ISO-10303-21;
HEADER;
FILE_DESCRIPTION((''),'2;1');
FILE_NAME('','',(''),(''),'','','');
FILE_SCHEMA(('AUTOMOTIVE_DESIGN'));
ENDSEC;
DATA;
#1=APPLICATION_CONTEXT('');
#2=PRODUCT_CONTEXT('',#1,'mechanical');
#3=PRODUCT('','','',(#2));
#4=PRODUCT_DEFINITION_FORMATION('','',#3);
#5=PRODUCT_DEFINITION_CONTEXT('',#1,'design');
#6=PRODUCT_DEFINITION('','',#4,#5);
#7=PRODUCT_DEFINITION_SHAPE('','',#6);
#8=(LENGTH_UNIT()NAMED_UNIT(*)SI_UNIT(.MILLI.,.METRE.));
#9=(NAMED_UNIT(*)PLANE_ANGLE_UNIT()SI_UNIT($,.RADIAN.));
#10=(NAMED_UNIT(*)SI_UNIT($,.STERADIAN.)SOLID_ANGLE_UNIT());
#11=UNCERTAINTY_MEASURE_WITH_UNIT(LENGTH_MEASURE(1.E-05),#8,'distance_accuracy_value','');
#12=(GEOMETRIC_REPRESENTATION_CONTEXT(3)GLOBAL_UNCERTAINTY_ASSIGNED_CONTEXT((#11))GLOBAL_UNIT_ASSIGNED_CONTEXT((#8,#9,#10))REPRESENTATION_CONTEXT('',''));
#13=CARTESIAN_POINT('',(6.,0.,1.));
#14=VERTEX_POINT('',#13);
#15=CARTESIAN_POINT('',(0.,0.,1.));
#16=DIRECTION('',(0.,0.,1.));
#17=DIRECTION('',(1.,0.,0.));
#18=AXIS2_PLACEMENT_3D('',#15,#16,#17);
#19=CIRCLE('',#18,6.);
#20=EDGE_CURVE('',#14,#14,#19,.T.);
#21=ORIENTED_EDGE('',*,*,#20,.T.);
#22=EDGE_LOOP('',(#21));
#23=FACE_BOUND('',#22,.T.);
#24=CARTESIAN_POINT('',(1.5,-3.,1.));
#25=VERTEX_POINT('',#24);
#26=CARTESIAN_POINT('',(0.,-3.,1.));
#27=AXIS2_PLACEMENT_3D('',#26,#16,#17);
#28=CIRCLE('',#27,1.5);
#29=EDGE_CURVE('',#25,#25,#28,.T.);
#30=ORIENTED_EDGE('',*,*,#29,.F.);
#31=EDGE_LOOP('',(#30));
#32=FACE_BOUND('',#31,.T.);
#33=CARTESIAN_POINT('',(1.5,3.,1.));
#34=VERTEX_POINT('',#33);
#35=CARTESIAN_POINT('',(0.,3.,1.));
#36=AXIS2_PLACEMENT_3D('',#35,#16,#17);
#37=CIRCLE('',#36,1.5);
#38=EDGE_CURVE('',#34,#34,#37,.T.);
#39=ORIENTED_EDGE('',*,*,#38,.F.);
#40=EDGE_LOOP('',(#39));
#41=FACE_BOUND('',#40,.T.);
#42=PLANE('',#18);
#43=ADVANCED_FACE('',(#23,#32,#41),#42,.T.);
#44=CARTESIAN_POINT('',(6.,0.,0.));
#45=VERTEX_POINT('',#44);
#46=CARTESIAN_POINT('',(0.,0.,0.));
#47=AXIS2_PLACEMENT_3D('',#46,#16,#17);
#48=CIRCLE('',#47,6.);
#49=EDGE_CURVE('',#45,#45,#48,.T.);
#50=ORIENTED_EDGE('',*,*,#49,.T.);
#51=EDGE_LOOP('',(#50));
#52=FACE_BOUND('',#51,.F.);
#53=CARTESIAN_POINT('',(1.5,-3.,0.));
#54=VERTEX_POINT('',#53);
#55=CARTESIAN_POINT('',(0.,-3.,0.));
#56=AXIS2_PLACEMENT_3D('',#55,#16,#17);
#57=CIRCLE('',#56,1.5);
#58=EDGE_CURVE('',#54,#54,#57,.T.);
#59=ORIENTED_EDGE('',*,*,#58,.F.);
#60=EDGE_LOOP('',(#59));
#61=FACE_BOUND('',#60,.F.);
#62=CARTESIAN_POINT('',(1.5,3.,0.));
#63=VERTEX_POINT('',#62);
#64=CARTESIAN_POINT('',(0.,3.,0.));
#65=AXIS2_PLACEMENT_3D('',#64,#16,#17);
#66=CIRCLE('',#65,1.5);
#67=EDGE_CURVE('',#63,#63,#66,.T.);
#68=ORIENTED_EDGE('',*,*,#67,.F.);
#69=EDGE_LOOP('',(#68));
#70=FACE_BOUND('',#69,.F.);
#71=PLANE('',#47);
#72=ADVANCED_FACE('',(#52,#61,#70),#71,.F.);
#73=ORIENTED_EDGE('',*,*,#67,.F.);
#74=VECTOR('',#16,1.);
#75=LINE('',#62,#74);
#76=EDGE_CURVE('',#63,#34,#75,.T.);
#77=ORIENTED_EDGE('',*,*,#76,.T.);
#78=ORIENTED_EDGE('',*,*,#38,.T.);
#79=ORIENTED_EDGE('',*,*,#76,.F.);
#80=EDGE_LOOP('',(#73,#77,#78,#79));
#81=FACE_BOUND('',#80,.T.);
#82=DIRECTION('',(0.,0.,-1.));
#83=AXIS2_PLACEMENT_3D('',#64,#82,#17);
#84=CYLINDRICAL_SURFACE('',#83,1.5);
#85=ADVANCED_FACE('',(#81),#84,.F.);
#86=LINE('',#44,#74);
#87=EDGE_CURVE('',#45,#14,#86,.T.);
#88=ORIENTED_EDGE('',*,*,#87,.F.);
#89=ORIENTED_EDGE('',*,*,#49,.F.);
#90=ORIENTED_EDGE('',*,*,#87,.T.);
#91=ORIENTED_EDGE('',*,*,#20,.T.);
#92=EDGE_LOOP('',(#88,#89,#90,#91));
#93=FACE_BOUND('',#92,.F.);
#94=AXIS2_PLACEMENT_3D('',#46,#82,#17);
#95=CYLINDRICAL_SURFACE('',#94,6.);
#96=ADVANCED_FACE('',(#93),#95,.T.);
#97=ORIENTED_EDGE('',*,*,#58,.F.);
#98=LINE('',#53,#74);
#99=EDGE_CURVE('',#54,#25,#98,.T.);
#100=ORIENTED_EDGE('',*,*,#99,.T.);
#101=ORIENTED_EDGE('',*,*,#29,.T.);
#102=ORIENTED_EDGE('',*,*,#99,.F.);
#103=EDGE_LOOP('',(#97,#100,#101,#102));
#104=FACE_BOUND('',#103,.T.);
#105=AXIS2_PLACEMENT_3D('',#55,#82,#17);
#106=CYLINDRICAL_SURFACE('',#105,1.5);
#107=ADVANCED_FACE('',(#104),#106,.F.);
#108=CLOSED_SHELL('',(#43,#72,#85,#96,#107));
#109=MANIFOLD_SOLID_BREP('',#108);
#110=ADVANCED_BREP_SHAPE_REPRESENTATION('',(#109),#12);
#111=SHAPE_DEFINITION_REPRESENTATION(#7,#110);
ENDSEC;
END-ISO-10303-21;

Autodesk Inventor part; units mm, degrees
ref_plane "YZ Plane" through (0, 0, 0) normal (1, 0, 0) x (0, 1, 0)
ref_plane "XZ Plane" through (0, 0, 0) normal (0, 1, 0) x (-1, 0, 0)
ref_plane "XY Plane" through (0, 0, 0) normal (0, 0, 1) x (1, 0, 0)
sketch "スケッチ1" plane through (0, 0, 0) normal (0, 0, 1) x (1, 0, 0)
  circle A0 centre (0, 0) radius 6
  circle A1 centre (0, 3) radius 1.5
  circle A2 centre (0, -3) radius 1.5
  dimension "d0" = 12
  dimension "d1" = 3
  dimension "d2" = 3
  dimension "d11" = 360
extrude "押し出し1" add sketch "スケッチ1" along normal blind 1
properties part number "脚ギアスペーサ" material "ポリカーボネート、クリア"
